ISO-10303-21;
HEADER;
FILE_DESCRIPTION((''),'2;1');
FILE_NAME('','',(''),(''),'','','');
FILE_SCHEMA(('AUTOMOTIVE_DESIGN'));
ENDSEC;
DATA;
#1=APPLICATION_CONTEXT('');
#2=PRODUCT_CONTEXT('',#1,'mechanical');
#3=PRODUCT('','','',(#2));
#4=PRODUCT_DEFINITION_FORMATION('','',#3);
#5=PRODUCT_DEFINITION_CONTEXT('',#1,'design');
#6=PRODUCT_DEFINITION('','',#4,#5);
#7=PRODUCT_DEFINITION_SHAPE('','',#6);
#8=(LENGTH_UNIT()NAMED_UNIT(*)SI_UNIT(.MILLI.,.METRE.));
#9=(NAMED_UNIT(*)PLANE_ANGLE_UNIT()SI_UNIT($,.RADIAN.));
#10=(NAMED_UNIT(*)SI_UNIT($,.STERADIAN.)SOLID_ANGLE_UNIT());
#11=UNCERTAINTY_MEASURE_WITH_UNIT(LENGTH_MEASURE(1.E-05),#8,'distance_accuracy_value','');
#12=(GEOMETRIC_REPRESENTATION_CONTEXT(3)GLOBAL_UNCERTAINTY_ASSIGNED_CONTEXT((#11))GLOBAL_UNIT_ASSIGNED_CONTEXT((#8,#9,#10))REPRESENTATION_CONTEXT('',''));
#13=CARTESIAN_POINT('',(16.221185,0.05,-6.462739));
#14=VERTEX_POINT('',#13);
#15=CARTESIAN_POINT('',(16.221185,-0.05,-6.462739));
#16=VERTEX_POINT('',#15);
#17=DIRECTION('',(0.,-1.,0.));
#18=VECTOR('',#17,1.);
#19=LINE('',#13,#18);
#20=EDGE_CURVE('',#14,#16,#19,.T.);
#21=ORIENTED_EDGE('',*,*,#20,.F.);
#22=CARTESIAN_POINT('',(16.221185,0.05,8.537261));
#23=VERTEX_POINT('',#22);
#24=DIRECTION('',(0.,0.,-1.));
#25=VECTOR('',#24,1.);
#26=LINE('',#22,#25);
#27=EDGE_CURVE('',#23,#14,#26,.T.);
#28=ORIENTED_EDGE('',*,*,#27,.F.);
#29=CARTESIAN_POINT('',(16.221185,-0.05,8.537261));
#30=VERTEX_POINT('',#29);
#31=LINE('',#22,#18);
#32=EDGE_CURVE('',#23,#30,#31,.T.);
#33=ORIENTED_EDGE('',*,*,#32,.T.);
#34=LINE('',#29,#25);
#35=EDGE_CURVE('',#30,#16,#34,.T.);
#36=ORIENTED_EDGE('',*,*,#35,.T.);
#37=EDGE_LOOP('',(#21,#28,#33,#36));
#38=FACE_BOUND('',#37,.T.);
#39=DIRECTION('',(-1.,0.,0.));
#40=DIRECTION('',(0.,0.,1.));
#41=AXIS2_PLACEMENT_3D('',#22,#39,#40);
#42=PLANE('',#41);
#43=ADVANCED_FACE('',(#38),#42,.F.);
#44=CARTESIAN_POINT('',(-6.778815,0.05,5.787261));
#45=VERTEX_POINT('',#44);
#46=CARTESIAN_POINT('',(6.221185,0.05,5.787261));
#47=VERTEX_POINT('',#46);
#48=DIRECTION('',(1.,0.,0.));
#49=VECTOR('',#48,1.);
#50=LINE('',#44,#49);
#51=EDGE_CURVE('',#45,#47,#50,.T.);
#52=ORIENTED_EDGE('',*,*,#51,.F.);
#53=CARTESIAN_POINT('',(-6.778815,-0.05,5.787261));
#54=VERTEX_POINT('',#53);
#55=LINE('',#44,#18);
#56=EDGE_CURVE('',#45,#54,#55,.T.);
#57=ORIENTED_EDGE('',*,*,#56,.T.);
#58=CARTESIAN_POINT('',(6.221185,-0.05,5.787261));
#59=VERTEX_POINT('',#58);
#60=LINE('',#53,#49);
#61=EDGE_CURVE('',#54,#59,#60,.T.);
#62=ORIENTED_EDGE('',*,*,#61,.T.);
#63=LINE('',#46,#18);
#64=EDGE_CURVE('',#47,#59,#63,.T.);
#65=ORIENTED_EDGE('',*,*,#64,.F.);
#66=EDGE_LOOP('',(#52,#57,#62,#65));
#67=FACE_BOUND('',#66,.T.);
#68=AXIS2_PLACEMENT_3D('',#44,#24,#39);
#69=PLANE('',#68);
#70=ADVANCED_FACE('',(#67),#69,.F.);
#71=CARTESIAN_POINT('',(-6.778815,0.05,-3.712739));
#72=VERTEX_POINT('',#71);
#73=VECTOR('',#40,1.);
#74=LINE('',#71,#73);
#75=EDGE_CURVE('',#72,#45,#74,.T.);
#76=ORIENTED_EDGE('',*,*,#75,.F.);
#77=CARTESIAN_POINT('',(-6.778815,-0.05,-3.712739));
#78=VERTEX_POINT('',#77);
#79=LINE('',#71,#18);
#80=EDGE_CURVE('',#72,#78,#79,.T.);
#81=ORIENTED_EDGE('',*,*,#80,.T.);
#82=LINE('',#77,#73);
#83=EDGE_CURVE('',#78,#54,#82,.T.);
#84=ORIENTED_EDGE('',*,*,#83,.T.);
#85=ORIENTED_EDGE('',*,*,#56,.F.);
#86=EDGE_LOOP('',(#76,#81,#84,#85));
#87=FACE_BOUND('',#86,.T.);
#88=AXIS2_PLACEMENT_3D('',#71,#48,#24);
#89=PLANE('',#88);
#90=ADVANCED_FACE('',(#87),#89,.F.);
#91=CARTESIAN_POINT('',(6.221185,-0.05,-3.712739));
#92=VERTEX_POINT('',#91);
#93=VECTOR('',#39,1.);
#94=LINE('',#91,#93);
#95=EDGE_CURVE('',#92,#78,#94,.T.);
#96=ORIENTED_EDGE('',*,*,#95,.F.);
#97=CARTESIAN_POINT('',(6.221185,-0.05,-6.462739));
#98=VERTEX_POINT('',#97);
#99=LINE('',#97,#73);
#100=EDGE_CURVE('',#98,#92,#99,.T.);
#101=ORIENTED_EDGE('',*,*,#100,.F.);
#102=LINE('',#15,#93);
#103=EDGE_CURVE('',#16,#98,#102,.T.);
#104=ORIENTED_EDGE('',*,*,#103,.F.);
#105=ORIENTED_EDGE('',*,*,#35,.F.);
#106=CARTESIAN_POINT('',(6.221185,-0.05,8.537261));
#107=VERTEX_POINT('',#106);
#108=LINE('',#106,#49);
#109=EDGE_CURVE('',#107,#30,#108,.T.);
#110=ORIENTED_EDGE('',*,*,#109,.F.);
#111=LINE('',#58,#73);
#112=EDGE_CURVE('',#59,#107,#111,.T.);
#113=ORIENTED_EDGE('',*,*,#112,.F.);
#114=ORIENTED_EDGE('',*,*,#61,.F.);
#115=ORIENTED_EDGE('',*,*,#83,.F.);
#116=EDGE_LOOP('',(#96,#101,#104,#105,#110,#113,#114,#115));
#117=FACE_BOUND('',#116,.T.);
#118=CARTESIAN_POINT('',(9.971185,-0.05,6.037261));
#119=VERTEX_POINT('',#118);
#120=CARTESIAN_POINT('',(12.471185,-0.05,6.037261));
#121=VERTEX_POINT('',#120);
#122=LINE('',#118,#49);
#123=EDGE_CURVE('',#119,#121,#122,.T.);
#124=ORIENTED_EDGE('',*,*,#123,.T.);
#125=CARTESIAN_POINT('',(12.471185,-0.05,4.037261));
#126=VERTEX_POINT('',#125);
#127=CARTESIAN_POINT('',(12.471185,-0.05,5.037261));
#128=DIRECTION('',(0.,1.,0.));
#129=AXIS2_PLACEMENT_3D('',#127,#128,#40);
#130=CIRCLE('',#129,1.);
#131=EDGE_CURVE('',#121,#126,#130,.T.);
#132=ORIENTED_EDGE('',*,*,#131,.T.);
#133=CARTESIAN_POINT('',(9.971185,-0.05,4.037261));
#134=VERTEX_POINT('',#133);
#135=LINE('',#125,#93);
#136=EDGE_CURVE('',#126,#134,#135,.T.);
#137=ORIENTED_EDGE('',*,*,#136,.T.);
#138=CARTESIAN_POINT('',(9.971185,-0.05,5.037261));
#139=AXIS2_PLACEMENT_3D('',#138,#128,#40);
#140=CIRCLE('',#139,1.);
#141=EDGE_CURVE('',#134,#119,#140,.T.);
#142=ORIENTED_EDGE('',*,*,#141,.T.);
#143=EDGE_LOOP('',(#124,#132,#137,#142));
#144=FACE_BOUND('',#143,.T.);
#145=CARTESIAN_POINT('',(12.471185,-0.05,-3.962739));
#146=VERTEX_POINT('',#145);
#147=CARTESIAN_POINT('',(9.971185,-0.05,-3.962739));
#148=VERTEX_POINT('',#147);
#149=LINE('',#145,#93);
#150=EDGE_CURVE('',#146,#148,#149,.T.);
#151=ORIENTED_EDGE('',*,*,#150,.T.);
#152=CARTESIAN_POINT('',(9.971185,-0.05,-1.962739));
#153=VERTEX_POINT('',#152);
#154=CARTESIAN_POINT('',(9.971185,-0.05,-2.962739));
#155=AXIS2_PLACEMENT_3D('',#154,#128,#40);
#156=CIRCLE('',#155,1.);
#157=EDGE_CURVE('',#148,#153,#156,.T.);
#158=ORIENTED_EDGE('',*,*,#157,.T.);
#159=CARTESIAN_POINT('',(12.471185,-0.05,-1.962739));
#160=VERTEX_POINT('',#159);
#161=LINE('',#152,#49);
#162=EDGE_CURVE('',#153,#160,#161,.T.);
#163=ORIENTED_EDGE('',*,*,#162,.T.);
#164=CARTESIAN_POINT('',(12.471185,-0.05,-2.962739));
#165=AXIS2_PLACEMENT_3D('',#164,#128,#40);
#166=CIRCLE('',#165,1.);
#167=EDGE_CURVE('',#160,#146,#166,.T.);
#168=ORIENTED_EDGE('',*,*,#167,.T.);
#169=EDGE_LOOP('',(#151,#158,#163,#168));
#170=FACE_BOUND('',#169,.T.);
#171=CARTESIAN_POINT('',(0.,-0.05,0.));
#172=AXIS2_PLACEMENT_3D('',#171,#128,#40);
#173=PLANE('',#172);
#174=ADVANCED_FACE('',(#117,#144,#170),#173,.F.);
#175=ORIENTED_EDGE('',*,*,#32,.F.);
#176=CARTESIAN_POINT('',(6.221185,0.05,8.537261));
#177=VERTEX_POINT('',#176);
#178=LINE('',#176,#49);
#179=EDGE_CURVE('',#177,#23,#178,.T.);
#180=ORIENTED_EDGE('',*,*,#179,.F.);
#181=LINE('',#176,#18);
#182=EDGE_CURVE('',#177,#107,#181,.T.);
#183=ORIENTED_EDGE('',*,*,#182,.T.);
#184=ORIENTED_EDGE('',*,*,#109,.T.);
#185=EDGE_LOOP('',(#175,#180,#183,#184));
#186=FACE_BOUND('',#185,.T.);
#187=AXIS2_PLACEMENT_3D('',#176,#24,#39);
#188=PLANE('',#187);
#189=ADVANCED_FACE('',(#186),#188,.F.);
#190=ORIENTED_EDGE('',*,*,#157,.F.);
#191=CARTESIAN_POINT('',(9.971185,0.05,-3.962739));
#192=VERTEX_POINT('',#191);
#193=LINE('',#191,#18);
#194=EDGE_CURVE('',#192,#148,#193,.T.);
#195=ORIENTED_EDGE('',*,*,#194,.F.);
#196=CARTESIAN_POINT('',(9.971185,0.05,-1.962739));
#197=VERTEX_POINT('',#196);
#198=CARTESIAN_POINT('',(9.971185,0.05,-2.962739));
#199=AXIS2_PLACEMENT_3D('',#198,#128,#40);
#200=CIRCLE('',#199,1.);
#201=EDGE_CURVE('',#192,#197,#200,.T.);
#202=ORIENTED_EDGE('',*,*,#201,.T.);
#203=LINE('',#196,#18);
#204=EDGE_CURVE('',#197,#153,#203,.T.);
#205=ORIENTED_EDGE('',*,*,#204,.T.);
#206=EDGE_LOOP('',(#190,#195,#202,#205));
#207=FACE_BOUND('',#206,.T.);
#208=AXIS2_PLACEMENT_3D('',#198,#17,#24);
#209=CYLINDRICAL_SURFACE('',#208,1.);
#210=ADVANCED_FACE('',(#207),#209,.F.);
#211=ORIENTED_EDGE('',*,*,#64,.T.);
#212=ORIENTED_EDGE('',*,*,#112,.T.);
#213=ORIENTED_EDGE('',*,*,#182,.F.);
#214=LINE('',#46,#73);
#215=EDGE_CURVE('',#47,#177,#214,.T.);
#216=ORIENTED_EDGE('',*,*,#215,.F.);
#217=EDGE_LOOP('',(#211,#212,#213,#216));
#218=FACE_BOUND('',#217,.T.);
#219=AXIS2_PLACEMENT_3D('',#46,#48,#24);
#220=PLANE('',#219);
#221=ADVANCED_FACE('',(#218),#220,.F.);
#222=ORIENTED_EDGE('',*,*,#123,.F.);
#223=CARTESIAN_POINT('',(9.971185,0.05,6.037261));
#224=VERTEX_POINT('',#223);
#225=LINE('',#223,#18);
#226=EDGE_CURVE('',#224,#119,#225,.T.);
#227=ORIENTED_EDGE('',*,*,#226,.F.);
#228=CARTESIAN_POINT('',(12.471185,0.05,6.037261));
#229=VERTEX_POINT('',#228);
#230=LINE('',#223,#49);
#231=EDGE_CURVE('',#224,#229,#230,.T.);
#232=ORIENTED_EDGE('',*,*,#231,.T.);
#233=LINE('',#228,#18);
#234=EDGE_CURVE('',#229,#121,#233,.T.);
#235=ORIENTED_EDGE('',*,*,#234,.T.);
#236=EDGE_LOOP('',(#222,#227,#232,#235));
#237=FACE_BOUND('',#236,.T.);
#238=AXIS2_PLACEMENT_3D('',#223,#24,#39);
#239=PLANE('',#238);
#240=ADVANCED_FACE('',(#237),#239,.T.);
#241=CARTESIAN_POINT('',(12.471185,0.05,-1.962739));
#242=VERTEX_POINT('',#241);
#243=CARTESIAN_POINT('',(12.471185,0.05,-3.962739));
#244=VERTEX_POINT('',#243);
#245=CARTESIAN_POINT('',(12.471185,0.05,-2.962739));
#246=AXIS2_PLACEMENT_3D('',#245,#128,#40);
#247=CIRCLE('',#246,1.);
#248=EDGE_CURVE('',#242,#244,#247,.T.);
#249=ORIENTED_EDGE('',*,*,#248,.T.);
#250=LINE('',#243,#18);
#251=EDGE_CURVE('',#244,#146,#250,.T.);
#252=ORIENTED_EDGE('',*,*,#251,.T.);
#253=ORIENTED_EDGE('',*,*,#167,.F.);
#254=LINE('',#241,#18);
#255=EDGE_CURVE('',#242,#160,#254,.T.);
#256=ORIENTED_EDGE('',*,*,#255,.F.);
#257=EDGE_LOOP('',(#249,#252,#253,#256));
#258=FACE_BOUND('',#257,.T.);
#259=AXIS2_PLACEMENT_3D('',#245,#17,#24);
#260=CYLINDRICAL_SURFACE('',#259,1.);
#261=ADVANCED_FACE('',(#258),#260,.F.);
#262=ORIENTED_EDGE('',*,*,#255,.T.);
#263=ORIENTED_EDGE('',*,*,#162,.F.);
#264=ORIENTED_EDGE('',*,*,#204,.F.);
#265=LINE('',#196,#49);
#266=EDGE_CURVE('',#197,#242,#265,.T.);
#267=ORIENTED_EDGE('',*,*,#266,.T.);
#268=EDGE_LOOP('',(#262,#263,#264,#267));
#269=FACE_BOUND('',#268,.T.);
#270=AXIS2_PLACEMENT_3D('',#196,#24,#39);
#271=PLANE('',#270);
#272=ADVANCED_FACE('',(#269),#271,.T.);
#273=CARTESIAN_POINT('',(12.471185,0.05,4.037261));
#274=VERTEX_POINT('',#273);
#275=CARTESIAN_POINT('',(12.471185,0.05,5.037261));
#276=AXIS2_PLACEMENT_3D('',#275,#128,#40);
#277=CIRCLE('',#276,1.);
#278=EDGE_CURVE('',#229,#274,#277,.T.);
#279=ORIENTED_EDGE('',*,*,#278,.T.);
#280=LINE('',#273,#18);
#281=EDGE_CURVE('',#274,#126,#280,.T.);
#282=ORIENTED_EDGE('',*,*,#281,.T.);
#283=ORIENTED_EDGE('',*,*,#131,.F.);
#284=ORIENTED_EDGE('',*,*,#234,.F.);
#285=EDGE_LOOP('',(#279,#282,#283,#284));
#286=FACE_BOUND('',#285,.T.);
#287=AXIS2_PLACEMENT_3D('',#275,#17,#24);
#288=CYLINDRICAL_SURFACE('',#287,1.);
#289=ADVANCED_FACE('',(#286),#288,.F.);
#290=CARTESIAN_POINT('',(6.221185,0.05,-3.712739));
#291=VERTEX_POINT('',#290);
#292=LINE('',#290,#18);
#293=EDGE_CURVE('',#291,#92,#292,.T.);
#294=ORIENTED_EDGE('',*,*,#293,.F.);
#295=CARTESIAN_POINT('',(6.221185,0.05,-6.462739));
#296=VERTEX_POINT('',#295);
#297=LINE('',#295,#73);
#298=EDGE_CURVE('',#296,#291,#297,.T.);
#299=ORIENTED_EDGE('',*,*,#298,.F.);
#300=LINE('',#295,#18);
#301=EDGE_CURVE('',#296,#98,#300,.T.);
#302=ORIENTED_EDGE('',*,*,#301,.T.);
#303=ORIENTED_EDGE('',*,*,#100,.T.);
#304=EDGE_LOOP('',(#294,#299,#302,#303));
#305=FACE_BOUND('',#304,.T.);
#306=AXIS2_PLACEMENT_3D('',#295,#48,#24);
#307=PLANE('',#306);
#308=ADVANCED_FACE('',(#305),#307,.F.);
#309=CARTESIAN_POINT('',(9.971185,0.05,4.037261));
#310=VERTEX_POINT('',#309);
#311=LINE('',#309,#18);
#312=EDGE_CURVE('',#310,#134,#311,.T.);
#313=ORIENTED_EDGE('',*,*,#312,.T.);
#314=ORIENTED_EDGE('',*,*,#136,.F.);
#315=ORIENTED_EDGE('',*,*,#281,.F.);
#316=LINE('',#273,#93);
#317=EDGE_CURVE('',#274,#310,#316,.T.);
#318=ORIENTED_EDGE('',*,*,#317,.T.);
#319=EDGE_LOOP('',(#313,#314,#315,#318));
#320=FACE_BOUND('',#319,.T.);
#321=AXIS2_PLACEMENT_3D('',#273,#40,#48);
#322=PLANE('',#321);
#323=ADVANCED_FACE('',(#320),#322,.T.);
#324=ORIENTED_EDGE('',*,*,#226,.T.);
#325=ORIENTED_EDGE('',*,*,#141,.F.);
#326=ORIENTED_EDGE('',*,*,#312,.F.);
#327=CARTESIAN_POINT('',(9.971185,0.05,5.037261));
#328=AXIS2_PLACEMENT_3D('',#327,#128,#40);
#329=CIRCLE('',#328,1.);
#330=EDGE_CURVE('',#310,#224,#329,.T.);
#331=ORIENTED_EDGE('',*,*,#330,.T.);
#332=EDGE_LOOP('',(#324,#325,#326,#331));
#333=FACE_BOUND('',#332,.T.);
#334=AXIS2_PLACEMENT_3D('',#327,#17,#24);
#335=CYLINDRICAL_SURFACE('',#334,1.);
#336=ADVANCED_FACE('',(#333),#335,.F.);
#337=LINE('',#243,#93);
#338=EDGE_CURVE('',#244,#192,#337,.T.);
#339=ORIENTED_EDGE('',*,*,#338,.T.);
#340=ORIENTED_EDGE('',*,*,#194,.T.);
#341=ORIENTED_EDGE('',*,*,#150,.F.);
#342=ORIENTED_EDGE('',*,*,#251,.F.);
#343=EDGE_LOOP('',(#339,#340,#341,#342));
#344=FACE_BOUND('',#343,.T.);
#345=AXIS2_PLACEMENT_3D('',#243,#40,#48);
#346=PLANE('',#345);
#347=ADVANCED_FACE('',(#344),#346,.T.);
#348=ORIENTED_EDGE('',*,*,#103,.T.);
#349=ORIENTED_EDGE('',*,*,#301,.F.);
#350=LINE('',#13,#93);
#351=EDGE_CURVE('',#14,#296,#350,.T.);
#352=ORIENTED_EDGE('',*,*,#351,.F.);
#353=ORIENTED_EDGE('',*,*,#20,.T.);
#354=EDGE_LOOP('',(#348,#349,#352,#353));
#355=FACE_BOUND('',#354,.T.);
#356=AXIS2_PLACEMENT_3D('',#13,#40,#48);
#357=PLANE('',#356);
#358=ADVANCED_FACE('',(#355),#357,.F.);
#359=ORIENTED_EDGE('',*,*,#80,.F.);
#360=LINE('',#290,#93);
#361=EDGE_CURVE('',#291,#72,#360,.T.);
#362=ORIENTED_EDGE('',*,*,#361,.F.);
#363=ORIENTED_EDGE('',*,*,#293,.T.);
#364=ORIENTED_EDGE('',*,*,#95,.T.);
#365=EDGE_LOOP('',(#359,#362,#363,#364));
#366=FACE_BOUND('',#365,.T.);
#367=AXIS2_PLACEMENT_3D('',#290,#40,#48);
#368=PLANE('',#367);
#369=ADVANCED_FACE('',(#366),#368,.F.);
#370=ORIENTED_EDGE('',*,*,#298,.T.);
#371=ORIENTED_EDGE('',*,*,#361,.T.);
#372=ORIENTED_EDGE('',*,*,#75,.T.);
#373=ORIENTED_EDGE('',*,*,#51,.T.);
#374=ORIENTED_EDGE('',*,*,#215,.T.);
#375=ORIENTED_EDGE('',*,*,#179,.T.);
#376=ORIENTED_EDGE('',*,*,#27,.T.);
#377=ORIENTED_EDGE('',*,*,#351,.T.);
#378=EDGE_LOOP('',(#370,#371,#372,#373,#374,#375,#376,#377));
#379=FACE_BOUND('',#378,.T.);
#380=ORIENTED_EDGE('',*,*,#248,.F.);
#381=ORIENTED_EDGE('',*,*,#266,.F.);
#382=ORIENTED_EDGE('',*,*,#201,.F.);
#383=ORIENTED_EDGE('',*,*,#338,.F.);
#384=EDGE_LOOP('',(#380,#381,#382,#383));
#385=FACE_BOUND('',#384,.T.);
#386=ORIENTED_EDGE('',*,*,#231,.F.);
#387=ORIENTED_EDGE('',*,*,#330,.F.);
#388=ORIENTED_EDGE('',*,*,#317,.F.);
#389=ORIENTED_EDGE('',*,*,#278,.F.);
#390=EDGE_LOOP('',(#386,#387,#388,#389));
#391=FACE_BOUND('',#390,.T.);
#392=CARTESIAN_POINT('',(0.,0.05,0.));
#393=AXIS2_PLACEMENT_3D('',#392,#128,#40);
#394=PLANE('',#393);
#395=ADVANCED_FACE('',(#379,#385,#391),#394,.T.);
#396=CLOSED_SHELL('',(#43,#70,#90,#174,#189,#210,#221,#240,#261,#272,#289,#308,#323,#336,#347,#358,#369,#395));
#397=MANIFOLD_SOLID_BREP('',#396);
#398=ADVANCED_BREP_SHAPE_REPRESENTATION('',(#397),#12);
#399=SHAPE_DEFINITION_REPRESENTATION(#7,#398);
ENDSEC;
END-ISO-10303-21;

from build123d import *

# Parameters (mm, degrees)
BOSS_EXTRUDE1_DEPTH = 0.05


with BuildPart() as part:
    # Sketch1 → Boss-Extrude1 (new, symmetric)
    with BuildSketch(Plane(origin=(0, 0, 0), x_dir=(1, 0, 0), z_dir=(0, 1, 0))):
        Polygon((-6.778814753, -5.787261175), (6.221185247, -5.787261175), (6.221185247, -8.537261175), (16.221185247, -8.537261175), (16.221185247, 6.462738825), (6.221185247, 6.462738825), (6.221185247, 3.712738825), (-6.778814753, 3.712738825), align=None)
        with BuildLine():
            Line((12.471185247, 3.962738825), (9.971185247, 3.962738825))
            ThreePointArc((9.971185247, 3.962738825), (8.971185247, 2.962738825), (9.971185247, 1.962738825))
            Line((9.971185247, 1.962738825), (12.471185247, 1.962738825))
            ThreePointArc((12.471185247, 1.962738825), (13.471185247, 2.962738825), (12.471185247, 3.962738825))
        make_face(mode=Mode.SUBTRACT)
        with BuildLine():
            Line((12.471185247, -4.037261175), (9.971185247, -4.037261175))
            ThreePointArc((9.971185247, -4.037261175), (8.971185247, -5.037261175), (9.971185247, -6.037261175))
            Line((9.971185247, -6.037261175), (12.471185247, -6.037261175))
            ThreePointArc((12.471185247, -6.037261175), (13.471185247, -5.037261175), (12.471185247, -4.037261175))
        make_face(mode=Mode.SUBTRACT)
    extrude(amount=BOSS_EXTRUDE1_DEPTH, both=True)


solid = part.part
